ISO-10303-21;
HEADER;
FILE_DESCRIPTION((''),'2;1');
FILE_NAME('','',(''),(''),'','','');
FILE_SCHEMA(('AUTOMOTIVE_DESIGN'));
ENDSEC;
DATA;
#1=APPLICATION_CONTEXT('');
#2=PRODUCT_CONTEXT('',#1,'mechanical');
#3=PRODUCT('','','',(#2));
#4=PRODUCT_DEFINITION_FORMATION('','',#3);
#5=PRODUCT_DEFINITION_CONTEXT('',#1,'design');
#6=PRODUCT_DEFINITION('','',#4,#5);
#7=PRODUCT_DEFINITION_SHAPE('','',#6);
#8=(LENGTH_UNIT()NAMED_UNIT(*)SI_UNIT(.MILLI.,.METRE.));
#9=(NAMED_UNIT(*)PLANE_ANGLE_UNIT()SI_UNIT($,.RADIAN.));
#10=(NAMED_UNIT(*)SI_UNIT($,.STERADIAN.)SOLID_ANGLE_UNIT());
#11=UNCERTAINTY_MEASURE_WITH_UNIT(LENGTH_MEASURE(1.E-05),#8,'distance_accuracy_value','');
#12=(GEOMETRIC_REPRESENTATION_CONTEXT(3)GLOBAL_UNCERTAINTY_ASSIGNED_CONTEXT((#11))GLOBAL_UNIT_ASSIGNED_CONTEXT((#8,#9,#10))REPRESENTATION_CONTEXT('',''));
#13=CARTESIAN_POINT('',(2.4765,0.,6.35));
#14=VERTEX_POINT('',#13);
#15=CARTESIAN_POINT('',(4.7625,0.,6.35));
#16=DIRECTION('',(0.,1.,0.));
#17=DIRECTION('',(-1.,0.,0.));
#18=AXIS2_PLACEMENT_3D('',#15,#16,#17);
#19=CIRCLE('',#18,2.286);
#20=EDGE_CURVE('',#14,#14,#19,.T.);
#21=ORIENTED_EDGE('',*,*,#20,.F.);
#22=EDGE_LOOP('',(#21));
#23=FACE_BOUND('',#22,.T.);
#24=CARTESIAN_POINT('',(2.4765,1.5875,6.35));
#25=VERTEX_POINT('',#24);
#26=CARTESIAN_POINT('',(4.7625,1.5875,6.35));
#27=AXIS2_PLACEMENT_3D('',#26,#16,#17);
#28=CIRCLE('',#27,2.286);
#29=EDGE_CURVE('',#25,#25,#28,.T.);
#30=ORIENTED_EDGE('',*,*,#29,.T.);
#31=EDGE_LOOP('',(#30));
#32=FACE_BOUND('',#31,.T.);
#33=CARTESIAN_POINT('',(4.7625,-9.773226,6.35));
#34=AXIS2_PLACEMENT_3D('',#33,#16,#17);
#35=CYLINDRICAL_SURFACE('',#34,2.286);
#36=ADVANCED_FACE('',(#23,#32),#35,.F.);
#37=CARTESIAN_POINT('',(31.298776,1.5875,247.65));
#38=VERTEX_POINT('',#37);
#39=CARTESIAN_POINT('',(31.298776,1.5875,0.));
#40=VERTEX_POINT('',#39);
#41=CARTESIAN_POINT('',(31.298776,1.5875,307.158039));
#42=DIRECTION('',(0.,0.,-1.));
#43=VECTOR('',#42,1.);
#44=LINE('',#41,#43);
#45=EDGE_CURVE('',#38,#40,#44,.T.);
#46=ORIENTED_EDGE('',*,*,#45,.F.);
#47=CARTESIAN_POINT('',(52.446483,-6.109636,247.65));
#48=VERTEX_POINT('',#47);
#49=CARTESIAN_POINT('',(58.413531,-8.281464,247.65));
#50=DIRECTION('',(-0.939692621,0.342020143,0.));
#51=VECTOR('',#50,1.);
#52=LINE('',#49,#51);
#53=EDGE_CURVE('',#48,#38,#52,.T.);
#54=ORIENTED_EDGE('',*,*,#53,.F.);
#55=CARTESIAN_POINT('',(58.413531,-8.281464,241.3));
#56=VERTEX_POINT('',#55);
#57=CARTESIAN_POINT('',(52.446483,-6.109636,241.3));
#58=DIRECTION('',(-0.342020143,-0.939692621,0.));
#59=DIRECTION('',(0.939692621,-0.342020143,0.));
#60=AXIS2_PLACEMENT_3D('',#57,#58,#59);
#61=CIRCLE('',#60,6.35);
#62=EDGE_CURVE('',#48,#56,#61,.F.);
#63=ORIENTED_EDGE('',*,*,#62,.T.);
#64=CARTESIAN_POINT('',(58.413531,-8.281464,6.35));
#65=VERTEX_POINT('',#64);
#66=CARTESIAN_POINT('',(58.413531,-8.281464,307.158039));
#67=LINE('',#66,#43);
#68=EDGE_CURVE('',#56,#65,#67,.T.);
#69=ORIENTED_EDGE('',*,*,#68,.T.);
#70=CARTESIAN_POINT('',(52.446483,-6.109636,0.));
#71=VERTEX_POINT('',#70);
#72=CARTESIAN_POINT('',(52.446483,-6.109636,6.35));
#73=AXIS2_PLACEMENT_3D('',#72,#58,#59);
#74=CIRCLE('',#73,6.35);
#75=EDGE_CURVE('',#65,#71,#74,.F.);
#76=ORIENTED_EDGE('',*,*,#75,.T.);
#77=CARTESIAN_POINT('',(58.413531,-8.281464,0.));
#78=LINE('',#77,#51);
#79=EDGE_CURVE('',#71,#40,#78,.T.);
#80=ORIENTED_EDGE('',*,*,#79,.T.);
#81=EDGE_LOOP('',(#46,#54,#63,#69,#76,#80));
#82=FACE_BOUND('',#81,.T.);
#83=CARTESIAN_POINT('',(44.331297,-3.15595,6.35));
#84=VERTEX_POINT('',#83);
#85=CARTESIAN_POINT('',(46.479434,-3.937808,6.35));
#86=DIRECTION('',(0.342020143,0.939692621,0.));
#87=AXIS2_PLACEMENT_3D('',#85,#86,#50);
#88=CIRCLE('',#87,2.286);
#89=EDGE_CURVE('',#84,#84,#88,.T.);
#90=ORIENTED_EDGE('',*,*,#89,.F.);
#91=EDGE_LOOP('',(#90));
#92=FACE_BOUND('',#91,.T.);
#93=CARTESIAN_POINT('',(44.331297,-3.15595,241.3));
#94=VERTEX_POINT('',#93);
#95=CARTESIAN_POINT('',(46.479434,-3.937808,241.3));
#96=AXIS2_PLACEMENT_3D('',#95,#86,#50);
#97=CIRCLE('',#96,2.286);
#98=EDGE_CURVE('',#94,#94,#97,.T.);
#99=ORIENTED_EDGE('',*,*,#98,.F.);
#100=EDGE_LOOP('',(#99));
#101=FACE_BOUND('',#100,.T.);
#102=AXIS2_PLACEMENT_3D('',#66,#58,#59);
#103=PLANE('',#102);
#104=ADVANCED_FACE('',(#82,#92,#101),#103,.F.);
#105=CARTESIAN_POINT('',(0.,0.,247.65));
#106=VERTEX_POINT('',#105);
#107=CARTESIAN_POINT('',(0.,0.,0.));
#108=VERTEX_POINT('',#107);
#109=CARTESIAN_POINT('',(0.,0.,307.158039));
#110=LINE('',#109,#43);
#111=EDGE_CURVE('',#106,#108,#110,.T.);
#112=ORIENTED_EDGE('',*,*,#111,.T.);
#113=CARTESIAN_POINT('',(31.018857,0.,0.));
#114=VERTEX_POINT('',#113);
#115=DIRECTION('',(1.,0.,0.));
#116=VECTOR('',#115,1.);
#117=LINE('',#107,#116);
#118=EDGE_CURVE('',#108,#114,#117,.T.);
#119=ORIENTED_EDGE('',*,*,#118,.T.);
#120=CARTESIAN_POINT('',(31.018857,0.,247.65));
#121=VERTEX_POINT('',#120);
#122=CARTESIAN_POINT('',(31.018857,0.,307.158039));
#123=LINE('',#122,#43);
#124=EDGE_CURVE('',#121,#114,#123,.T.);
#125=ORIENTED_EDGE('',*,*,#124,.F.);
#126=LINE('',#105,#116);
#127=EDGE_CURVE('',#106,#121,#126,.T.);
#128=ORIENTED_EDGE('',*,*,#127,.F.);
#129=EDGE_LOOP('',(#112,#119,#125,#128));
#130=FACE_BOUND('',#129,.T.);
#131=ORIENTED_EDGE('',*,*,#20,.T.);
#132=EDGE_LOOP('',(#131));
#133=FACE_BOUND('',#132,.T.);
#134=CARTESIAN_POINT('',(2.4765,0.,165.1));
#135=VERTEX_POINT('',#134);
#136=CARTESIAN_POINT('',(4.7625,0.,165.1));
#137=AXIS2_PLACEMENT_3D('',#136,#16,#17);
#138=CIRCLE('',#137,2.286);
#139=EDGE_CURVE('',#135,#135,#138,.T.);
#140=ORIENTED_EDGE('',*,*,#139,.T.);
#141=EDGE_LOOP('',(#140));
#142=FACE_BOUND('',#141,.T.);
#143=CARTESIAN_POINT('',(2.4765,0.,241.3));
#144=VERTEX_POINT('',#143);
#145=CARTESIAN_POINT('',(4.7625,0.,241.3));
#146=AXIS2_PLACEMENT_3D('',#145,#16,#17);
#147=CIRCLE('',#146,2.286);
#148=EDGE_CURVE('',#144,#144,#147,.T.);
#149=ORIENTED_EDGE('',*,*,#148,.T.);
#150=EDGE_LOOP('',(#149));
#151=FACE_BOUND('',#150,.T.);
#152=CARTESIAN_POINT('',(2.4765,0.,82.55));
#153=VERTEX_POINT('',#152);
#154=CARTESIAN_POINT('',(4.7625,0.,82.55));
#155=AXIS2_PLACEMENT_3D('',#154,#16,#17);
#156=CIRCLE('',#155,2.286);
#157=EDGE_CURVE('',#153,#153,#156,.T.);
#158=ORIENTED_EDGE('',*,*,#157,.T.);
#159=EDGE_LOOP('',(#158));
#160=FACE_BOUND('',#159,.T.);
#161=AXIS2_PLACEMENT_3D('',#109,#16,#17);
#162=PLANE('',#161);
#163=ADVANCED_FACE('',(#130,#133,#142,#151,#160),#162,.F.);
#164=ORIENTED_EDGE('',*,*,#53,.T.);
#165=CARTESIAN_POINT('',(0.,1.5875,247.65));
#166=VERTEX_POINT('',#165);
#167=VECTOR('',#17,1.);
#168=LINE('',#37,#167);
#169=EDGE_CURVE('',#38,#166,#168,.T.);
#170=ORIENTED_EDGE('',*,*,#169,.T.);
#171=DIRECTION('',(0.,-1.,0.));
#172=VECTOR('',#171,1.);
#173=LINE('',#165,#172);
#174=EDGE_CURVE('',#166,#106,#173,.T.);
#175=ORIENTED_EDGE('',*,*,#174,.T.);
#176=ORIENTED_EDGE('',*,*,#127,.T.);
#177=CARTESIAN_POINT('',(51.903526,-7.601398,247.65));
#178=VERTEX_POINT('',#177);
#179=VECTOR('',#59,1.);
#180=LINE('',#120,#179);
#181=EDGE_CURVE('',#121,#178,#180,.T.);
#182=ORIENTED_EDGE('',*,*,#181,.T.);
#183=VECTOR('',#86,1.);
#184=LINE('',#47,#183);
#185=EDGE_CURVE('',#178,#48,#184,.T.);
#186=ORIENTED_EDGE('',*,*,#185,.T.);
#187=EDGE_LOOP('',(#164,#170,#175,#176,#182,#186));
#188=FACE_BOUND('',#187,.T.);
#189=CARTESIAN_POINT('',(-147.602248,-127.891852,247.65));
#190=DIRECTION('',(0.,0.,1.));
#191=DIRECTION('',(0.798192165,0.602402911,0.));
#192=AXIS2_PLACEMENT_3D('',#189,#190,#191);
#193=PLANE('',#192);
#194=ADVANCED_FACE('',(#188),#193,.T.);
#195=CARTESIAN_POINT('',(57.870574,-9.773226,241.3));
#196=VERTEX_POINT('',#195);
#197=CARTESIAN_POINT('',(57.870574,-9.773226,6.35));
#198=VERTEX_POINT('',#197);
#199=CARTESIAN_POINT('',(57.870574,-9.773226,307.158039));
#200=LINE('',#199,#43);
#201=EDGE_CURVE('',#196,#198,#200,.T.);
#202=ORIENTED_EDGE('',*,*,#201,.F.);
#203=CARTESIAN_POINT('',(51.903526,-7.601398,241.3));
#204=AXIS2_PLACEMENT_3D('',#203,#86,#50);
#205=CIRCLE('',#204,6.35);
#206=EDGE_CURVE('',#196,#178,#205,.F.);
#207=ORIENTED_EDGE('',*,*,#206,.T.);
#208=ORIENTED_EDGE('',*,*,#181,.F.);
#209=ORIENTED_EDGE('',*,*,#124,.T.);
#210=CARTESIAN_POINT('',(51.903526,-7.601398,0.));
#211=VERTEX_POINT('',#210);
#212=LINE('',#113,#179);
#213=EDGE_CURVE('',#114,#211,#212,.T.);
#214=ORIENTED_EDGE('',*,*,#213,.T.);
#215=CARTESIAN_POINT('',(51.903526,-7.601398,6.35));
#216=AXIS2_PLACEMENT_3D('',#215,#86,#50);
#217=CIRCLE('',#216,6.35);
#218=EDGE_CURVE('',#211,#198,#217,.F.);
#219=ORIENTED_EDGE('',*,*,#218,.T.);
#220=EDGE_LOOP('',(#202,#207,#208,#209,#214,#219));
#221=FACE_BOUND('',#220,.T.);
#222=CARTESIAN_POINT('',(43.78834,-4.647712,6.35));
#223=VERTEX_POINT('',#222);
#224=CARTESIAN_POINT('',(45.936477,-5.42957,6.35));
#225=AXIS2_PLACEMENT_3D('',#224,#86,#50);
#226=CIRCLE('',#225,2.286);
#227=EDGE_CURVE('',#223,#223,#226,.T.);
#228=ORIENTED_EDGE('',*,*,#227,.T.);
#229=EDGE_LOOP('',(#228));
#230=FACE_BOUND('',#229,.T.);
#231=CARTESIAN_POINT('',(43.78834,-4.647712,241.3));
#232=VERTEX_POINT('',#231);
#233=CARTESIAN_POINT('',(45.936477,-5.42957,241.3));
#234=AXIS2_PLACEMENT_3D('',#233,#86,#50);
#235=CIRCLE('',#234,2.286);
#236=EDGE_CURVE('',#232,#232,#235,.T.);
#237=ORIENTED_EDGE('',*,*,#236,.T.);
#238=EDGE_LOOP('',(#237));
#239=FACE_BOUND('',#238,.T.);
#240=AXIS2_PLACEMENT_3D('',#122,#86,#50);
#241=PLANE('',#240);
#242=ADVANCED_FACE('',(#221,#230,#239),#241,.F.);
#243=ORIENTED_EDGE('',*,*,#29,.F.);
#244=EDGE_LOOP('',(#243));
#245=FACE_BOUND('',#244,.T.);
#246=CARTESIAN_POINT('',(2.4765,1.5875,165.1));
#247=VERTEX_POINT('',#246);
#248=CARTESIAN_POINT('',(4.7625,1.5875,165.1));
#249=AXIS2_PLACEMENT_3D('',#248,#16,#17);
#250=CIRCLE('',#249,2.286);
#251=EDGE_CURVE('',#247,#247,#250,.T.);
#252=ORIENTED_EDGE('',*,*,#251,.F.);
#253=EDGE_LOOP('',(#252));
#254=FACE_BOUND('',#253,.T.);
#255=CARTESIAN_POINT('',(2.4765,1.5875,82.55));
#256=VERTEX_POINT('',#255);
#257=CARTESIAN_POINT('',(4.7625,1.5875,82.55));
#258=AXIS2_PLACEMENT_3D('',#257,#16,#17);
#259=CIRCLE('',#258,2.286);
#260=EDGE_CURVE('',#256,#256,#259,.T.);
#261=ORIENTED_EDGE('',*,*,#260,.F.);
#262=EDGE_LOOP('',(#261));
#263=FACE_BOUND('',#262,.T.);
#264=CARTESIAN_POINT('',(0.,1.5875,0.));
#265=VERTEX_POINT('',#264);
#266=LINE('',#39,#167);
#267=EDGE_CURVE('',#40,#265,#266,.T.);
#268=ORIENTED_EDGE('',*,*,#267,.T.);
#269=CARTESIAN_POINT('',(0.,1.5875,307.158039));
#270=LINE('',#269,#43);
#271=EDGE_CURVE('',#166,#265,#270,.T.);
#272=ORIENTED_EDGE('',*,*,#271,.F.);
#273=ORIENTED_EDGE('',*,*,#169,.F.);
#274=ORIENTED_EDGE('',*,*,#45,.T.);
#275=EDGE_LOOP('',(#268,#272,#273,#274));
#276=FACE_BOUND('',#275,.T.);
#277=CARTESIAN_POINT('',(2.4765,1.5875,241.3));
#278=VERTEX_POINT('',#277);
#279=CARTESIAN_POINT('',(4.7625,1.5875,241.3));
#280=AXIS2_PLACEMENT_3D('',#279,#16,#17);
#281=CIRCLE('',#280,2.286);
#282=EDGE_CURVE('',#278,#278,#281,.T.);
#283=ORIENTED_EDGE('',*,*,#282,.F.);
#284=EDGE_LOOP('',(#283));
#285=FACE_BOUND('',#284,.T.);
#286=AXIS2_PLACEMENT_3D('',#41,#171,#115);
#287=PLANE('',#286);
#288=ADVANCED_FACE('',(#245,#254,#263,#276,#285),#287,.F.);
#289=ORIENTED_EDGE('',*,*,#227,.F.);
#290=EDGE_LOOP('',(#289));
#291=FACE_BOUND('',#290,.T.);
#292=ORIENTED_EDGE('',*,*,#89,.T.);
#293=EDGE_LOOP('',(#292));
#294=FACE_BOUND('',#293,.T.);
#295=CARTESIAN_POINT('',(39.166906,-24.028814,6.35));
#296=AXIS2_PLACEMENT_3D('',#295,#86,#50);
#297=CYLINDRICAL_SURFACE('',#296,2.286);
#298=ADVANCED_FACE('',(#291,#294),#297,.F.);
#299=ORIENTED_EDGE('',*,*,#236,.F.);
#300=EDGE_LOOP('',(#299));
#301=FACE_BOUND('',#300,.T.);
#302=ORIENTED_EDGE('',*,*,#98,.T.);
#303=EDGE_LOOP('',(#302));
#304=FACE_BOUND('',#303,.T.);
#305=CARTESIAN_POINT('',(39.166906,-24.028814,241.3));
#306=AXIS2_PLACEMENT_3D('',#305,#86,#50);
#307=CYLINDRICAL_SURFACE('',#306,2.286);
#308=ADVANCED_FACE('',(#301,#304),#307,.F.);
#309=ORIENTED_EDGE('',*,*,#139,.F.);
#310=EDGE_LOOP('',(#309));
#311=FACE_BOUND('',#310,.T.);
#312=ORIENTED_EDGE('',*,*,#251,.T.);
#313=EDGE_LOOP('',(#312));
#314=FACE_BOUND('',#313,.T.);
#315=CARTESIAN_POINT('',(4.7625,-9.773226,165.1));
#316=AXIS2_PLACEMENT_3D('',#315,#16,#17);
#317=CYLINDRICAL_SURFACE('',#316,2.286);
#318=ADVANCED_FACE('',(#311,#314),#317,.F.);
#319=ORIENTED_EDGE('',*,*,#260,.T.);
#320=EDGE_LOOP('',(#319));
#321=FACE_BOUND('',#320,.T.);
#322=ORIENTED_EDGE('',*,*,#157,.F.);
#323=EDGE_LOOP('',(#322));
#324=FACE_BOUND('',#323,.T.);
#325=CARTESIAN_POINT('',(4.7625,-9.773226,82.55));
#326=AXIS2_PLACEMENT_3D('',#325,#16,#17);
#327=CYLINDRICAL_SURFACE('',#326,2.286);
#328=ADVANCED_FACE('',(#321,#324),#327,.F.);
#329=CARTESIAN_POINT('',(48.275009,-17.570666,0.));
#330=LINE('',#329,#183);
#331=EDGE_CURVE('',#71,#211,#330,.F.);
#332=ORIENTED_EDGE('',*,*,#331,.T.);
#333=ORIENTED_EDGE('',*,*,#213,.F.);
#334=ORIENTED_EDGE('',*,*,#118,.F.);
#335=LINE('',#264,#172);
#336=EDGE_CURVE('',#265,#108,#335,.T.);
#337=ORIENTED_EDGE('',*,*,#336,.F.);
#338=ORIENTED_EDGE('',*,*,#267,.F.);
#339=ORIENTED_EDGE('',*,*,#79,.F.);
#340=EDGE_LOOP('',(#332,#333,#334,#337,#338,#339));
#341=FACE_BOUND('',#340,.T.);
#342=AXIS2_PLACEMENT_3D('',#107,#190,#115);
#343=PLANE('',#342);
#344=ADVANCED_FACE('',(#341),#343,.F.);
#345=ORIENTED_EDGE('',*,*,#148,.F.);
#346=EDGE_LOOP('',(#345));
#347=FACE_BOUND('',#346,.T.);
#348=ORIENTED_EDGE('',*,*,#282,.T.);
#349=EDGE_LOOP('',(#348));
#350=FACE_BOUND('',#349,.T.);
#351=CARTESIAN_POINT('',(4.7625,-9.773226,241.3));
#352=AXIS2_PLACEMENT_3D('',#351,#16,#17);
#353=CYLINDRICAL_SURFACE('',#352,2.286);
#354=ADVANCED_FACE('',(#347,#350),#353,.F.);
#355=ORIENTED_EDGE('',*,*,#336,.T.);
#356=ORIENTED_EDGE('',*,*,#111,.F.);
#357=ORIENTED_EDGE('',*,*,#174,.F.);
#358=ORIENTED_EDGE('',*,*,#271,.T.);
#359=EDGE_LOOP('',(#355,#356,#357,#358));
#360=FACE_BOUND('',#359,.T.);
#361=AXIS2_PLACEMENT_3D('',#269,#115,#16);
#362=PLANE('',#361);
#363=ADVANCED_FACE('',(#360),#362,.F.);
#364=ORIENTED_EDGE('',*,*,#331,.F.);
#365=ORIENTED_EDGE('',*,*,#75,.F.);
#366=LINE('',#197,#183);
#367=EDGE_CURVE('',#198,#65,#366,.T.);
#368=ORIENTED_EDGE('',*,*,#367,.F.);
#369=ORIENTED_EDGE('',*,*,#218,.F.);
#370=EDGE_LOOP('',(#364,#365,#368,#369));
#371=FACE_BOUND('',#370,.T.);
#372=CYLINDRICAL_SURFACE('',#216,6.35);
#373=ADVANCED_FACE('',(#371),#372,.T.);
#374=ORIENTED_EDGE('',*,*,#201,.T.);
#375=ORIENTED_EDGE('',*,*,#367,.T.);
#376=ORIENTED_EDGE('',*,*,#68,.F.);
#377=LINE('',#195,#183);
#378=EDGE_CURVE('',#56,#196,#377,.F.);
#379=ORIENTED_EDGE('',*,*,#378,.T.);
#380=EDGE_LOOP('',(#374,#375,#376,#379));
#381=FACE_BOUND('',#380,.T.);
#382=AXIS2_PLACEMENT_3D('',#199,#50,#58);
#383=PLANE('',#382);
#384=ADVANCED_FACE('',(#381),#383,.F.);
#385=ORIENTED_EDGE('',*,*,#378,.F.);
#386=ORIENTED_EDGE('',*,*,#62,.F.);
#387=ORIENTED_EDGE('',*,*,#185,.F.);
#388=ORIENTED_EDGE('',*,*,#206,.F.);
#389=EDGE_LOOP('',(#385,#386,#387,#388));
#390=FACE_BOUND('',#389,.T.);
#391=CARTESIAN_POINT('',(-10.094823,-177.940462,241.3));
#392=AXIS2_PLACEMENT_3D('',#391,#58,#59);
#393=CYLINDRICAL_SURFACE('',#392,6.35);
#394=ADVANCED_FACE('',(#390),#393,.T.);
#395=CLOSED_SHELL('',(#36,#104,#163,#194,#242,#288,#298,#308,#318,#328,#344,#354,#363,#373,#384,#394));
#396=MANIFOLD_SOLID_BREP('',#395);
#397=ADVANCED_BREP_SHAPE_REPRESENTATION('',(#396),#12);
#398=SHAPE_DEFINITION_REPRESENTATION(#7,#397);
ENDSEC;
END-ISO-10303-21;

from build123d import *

# Parameters (mm, degrees)
BOSS_EXTRUDE1_DEPTH = 247.65
SKETCH2_R           = 2.286
CUT_EXTRUDE1_DEPTH  = 255.69929163
SKETCH3_R           = 2.286
CUT_EXTRUDE2_DEPTH  = 255.408366321
FILLET1_R           = 6.35


with BuildPart() as part:
    # Sketch1 → Boss-Extrude1 (new body)
    with BuildSketch(Plane.XY):
        Polygon((0, 0), (31.018857102, 0), (57.870573741, -9.773225596), (58.413530719, -8.28146356), (31.298776184, 1.5875), (0, 1.5875), align=None)
    extrude(amount=BOSS_EXTRUDE1_DEPTH)

    # Sketch2 → Cut-Extrude1 (cut, through all)
    with BuildSketch(Plane(origin=(0, 1.5875, 0), x_dir=(1, 0, 0), z_dir=(0, 1, 0))):
        with Locations(Location((4.7625, -6.35, 0), (0, 0, 180))):
            Circle(SKETCH2_R)
        with Locations(Location((4.7625, -241.3, 0), (0, 0, 180))):
            Circle(SKETCH2_R)
        with Locations(Location((4.7625, -82.55, 0), (0, 0, 180))):
            Circle(SKETCH2_R)
        with Locations(Location((4.7625, -165.1, 0), (0, 0, 180))):
            Circle(SKETCH2_R)
    extrude(amount=-CUT_EXTRUDE1_DEPTH, mode=Mode.SUBTRACT)

    # Sketch3 → Cut-Extrude2 (cut, through all)
    with BuildSketch(Plane(origin=(4.171473971, 11.461030541, 0), x_dir=(0.9396926207859064, -0.34202014332567426, 0), z_dir=(0.34202014332567426, 0.9396926207859064, 0))):
        with Locations(Location((45.023191124, -6.35, 0), (0, 0, 180))):
            Circle(SKETCH3_R)
        with Locations(Location((45.023191124, -241.3, 0), (0, 0, 180))):
            Circle(SKETCH3_R)
    extrude(amount=-CUT_EXTRUDE2_DEPTH, mode=Mode.SUBTRACT)

    # Fillet1
    fillet1_edges = [part.edges().sort_by_distance(p)[0] for p in [
        (58.14205223, -9.027344578, 0),
        (58.14205223, -9.027344578, 247.65),
    ]]
    fillet(fillet1_edges, radius=FILLET1_R)


solid = part.part
